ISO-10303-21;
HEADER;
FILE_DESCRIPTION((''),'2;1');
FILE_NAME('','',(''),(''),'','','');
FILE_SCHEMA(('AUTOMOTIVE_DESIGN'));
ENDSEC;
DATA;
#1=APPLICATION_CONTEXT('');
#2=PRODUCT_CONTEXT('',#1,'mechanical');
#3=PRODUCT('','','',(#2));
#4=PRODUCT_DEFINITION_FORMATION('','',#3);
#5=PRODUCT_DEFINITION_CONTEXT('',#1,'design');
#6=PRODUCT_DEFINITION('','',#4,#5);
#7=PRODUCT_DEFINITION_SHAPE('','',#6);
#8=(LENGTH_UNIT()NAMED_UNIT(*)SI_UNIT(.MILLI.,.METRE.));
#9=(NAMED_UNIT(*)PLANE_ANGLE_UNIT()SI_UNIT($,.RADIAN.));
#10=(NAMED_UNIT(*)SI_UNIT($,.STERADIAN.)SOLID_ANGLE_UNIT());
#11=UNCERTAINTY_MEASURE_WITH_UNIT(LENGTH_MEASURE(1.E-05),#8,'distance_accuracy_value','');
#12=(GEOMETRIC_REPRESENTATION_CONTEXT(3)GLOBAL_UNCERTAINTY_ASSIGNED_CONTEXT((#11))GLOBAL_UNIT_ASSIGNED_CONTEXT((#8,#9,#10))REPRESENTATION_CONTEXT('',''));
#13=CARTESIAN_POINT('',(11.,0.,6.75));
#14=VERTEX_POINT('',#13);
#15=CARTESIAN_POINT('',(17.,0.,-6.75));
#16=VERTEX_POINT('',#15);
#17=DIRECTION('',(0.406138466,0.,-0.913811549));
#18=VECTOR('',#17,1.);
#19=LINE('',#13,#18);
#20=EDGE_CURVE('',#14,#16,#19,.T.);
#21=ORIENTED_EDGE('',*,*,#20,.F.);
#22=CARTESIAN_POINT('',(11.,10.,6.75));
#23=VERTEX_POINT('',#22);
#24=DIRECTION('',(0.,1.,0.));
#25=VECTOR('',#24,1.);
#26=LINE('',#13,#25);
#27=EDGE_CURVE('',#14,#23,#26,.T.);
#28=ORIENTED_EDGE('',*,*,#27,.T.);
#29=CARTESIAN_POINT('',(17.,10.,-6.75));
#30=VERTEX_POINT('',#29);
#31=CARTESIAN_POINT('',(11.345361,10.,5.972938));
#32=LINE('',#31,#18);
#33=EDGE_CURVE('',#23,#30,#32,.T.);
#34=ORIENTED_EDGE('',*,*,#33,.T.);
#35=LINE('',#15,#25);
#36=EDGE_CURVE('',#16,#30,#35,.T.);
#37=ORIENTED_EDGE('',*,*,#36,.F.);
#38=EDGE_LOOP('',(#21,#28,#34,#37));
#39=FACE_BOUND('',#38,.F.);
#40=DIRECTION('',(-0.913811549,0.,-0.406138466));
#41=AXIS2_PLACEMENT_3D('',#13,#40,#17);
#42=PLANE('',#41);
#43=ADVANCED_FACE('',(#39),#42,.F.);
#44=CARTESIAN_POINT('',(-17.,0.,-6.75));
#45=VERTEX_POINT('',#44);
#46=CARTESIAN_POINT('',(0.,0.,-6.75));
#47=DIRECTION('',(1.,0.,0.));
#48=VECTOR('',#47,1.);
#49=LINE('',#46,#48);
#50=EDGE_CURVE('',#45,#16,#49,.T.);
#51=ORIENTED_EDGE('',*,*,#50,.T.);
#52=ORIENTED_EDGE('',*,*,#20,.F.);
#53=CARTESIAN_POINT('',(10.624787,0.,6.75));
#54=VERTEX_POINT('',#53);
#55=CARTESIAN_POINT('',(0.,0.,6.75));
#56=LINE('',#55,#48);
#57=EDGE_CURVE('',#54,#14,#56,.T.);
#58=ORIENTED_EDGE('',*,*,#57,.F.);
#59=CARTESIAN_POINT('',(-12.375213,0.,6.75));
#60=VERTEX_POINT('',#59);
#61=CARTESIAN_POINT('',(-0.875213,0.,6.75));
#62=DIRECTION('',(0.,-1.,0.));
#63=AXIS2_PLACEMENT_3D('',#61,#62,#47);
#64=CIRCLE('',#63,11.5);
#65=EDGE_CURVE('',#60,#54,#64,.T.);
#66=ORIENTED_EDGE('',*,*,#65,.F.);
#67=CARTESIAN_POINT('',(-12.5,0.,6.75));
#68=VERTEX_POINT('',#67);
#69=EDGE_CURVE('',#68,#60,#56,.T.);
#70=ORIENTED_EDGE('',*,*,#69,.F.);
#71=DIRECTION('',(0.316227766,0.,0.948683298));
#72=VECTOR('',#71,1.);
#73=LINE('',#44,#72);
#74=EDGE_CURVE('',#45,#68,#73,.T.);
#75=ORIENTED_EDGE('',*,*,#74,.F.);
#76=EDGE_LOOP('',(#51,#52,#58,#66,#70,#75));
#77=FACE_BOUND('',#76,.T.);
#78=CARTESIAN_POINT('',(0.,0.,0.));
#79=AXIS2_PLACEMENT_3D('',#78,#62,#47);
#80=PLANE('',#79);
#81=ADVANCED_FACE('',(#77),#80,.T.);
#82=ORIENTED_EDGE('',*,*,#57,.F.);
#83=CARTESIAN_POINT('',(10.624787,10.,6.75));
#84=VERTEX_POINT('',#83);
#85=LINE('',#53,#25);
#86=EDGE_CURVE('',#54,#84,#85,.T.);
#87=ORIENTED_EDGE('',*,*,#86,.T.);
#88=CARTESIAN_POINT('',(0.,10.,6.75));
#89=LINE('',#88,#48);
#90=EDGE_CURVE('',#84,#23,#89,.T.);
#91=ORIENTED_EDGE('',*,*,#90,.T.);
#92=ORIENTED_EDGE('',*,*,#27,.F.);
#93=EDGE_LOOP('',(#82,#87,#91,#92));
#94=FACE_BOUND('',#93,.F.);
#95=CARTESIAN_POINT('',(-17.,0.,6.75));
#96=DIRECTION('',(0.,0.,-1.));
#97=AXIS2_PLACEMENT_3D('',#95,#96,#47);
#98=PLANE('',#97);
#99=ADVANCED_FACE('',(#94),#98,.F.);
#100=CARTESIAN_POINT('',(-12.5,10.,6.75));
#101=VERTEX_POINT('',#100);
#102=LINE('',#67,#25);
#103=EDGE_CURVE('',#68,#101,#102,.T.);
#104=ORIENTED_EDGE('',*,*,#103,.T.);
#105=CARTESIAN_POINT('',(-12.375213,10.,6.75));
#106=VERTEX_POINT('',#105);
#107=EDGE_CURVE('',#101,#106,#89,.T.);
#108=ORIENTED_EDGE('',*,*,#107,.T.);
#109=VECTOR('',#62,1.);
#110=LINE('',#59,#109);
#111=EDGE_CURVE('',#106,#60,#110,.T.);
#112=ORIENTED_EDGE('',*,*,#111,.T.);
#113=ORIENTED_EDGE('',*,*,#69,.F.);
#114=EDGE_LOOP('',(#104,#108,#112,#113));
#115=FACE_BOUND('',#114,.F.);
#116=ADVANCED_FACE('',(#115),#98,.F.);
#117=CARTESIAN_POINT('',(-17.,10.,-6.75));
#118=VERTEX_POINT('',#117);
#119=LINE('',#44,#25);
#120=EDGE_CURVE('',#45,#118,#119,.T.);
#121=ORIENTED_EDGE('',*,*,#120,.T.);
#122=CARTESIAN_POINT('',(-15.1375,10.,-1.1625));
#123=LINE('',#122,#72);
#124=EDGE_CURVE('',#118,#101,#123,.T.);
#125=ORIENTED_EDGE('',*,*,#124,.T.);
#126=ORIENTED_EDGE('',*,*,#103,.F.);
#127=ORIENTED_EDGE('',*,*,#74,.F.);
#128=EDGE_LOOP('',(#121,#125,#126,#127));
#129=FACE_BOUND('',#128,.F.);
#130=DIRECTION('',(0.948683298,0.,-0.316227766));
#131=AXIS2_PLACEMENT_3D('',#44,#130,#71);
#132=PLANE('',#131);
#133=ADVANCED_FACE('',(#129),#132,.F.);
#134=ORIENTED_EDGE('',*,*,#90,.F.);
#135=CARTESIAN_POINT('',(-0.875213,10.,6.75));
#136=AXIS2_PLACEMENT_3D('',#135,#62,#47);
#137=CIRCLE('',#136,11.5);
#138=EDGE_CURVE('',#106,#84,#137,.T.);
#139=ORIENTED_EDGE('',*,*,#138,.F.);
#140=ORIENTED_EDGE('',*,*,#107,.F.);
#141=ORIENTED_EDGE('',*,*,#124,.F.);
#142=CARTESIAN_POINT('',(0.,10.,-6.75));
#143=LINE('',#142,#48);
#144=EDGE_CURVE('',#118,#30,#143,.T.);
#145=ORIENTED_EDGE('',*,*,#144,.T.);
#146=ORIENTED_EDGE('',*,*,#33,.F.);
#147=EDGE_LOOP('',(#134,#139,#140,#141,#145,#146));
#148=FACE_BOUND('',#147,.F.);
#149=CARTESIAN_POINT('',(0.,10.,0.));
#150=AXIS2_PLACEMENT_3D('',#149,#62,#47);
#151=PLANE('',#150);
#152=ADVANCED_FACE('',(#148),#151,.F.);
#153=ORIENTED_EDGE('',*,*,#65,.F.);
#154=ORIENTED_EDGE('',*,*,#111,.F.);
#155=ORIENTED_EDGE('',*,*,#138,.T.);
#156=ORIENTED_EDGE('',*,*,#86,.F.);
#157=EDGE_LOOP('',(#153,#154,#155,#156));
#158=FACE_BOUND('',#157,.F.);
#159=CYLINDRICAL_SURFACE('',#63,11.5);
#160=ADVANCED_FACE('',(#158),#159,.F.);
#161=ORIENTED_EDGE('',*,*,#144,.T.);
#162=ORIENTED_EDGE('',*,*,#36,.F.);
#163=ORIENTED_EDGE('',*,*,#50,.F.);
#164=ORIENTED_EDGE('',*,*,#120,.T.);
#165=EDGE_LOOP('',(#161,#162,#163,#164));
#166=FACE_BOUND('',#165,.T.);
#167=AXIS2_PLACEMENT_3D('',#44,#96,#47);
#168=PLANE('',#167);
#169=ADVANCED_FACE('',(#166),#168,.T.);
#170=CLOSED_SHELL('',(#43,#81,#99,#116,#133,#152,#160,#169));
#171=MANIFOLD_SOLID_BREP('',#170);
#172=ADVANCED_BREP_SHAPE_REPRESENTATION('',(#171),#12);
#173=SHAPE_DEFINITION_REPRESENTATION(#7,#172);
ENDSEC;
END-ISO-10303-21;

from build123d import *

# Parameters (mm, degrees)
F0_W     = 34
F0_H     = 13.5
F1_DEPTH = 10
F2_R     = 11.5
F3_DEPTH = 10.001


with BuildPart() as f1:
    # F0 (on Front) → F1 (new body)
    with BuildSketch(Plane.XZ):
        Rectangle(F0_W, F0_H)
    extrude(amount=-F1_DEPTH)

    # F2 (on face) → F3 (cut, through all)
    with BuildSketch(Plane.XZ):
        with Locations((-0.875213, 6.75)):
            Circle(F2_R)
        Polygon((-17, -6.75), (-12.5, 6.75), (-17, 6.75), align=None)
        Polygon((11, 6.75), (17, -6.75), (17, 6.75), align=None)
    extrude(amount=-F3_DEPTH, mode=Mode.SUBTRACT)


solid = f1.part
